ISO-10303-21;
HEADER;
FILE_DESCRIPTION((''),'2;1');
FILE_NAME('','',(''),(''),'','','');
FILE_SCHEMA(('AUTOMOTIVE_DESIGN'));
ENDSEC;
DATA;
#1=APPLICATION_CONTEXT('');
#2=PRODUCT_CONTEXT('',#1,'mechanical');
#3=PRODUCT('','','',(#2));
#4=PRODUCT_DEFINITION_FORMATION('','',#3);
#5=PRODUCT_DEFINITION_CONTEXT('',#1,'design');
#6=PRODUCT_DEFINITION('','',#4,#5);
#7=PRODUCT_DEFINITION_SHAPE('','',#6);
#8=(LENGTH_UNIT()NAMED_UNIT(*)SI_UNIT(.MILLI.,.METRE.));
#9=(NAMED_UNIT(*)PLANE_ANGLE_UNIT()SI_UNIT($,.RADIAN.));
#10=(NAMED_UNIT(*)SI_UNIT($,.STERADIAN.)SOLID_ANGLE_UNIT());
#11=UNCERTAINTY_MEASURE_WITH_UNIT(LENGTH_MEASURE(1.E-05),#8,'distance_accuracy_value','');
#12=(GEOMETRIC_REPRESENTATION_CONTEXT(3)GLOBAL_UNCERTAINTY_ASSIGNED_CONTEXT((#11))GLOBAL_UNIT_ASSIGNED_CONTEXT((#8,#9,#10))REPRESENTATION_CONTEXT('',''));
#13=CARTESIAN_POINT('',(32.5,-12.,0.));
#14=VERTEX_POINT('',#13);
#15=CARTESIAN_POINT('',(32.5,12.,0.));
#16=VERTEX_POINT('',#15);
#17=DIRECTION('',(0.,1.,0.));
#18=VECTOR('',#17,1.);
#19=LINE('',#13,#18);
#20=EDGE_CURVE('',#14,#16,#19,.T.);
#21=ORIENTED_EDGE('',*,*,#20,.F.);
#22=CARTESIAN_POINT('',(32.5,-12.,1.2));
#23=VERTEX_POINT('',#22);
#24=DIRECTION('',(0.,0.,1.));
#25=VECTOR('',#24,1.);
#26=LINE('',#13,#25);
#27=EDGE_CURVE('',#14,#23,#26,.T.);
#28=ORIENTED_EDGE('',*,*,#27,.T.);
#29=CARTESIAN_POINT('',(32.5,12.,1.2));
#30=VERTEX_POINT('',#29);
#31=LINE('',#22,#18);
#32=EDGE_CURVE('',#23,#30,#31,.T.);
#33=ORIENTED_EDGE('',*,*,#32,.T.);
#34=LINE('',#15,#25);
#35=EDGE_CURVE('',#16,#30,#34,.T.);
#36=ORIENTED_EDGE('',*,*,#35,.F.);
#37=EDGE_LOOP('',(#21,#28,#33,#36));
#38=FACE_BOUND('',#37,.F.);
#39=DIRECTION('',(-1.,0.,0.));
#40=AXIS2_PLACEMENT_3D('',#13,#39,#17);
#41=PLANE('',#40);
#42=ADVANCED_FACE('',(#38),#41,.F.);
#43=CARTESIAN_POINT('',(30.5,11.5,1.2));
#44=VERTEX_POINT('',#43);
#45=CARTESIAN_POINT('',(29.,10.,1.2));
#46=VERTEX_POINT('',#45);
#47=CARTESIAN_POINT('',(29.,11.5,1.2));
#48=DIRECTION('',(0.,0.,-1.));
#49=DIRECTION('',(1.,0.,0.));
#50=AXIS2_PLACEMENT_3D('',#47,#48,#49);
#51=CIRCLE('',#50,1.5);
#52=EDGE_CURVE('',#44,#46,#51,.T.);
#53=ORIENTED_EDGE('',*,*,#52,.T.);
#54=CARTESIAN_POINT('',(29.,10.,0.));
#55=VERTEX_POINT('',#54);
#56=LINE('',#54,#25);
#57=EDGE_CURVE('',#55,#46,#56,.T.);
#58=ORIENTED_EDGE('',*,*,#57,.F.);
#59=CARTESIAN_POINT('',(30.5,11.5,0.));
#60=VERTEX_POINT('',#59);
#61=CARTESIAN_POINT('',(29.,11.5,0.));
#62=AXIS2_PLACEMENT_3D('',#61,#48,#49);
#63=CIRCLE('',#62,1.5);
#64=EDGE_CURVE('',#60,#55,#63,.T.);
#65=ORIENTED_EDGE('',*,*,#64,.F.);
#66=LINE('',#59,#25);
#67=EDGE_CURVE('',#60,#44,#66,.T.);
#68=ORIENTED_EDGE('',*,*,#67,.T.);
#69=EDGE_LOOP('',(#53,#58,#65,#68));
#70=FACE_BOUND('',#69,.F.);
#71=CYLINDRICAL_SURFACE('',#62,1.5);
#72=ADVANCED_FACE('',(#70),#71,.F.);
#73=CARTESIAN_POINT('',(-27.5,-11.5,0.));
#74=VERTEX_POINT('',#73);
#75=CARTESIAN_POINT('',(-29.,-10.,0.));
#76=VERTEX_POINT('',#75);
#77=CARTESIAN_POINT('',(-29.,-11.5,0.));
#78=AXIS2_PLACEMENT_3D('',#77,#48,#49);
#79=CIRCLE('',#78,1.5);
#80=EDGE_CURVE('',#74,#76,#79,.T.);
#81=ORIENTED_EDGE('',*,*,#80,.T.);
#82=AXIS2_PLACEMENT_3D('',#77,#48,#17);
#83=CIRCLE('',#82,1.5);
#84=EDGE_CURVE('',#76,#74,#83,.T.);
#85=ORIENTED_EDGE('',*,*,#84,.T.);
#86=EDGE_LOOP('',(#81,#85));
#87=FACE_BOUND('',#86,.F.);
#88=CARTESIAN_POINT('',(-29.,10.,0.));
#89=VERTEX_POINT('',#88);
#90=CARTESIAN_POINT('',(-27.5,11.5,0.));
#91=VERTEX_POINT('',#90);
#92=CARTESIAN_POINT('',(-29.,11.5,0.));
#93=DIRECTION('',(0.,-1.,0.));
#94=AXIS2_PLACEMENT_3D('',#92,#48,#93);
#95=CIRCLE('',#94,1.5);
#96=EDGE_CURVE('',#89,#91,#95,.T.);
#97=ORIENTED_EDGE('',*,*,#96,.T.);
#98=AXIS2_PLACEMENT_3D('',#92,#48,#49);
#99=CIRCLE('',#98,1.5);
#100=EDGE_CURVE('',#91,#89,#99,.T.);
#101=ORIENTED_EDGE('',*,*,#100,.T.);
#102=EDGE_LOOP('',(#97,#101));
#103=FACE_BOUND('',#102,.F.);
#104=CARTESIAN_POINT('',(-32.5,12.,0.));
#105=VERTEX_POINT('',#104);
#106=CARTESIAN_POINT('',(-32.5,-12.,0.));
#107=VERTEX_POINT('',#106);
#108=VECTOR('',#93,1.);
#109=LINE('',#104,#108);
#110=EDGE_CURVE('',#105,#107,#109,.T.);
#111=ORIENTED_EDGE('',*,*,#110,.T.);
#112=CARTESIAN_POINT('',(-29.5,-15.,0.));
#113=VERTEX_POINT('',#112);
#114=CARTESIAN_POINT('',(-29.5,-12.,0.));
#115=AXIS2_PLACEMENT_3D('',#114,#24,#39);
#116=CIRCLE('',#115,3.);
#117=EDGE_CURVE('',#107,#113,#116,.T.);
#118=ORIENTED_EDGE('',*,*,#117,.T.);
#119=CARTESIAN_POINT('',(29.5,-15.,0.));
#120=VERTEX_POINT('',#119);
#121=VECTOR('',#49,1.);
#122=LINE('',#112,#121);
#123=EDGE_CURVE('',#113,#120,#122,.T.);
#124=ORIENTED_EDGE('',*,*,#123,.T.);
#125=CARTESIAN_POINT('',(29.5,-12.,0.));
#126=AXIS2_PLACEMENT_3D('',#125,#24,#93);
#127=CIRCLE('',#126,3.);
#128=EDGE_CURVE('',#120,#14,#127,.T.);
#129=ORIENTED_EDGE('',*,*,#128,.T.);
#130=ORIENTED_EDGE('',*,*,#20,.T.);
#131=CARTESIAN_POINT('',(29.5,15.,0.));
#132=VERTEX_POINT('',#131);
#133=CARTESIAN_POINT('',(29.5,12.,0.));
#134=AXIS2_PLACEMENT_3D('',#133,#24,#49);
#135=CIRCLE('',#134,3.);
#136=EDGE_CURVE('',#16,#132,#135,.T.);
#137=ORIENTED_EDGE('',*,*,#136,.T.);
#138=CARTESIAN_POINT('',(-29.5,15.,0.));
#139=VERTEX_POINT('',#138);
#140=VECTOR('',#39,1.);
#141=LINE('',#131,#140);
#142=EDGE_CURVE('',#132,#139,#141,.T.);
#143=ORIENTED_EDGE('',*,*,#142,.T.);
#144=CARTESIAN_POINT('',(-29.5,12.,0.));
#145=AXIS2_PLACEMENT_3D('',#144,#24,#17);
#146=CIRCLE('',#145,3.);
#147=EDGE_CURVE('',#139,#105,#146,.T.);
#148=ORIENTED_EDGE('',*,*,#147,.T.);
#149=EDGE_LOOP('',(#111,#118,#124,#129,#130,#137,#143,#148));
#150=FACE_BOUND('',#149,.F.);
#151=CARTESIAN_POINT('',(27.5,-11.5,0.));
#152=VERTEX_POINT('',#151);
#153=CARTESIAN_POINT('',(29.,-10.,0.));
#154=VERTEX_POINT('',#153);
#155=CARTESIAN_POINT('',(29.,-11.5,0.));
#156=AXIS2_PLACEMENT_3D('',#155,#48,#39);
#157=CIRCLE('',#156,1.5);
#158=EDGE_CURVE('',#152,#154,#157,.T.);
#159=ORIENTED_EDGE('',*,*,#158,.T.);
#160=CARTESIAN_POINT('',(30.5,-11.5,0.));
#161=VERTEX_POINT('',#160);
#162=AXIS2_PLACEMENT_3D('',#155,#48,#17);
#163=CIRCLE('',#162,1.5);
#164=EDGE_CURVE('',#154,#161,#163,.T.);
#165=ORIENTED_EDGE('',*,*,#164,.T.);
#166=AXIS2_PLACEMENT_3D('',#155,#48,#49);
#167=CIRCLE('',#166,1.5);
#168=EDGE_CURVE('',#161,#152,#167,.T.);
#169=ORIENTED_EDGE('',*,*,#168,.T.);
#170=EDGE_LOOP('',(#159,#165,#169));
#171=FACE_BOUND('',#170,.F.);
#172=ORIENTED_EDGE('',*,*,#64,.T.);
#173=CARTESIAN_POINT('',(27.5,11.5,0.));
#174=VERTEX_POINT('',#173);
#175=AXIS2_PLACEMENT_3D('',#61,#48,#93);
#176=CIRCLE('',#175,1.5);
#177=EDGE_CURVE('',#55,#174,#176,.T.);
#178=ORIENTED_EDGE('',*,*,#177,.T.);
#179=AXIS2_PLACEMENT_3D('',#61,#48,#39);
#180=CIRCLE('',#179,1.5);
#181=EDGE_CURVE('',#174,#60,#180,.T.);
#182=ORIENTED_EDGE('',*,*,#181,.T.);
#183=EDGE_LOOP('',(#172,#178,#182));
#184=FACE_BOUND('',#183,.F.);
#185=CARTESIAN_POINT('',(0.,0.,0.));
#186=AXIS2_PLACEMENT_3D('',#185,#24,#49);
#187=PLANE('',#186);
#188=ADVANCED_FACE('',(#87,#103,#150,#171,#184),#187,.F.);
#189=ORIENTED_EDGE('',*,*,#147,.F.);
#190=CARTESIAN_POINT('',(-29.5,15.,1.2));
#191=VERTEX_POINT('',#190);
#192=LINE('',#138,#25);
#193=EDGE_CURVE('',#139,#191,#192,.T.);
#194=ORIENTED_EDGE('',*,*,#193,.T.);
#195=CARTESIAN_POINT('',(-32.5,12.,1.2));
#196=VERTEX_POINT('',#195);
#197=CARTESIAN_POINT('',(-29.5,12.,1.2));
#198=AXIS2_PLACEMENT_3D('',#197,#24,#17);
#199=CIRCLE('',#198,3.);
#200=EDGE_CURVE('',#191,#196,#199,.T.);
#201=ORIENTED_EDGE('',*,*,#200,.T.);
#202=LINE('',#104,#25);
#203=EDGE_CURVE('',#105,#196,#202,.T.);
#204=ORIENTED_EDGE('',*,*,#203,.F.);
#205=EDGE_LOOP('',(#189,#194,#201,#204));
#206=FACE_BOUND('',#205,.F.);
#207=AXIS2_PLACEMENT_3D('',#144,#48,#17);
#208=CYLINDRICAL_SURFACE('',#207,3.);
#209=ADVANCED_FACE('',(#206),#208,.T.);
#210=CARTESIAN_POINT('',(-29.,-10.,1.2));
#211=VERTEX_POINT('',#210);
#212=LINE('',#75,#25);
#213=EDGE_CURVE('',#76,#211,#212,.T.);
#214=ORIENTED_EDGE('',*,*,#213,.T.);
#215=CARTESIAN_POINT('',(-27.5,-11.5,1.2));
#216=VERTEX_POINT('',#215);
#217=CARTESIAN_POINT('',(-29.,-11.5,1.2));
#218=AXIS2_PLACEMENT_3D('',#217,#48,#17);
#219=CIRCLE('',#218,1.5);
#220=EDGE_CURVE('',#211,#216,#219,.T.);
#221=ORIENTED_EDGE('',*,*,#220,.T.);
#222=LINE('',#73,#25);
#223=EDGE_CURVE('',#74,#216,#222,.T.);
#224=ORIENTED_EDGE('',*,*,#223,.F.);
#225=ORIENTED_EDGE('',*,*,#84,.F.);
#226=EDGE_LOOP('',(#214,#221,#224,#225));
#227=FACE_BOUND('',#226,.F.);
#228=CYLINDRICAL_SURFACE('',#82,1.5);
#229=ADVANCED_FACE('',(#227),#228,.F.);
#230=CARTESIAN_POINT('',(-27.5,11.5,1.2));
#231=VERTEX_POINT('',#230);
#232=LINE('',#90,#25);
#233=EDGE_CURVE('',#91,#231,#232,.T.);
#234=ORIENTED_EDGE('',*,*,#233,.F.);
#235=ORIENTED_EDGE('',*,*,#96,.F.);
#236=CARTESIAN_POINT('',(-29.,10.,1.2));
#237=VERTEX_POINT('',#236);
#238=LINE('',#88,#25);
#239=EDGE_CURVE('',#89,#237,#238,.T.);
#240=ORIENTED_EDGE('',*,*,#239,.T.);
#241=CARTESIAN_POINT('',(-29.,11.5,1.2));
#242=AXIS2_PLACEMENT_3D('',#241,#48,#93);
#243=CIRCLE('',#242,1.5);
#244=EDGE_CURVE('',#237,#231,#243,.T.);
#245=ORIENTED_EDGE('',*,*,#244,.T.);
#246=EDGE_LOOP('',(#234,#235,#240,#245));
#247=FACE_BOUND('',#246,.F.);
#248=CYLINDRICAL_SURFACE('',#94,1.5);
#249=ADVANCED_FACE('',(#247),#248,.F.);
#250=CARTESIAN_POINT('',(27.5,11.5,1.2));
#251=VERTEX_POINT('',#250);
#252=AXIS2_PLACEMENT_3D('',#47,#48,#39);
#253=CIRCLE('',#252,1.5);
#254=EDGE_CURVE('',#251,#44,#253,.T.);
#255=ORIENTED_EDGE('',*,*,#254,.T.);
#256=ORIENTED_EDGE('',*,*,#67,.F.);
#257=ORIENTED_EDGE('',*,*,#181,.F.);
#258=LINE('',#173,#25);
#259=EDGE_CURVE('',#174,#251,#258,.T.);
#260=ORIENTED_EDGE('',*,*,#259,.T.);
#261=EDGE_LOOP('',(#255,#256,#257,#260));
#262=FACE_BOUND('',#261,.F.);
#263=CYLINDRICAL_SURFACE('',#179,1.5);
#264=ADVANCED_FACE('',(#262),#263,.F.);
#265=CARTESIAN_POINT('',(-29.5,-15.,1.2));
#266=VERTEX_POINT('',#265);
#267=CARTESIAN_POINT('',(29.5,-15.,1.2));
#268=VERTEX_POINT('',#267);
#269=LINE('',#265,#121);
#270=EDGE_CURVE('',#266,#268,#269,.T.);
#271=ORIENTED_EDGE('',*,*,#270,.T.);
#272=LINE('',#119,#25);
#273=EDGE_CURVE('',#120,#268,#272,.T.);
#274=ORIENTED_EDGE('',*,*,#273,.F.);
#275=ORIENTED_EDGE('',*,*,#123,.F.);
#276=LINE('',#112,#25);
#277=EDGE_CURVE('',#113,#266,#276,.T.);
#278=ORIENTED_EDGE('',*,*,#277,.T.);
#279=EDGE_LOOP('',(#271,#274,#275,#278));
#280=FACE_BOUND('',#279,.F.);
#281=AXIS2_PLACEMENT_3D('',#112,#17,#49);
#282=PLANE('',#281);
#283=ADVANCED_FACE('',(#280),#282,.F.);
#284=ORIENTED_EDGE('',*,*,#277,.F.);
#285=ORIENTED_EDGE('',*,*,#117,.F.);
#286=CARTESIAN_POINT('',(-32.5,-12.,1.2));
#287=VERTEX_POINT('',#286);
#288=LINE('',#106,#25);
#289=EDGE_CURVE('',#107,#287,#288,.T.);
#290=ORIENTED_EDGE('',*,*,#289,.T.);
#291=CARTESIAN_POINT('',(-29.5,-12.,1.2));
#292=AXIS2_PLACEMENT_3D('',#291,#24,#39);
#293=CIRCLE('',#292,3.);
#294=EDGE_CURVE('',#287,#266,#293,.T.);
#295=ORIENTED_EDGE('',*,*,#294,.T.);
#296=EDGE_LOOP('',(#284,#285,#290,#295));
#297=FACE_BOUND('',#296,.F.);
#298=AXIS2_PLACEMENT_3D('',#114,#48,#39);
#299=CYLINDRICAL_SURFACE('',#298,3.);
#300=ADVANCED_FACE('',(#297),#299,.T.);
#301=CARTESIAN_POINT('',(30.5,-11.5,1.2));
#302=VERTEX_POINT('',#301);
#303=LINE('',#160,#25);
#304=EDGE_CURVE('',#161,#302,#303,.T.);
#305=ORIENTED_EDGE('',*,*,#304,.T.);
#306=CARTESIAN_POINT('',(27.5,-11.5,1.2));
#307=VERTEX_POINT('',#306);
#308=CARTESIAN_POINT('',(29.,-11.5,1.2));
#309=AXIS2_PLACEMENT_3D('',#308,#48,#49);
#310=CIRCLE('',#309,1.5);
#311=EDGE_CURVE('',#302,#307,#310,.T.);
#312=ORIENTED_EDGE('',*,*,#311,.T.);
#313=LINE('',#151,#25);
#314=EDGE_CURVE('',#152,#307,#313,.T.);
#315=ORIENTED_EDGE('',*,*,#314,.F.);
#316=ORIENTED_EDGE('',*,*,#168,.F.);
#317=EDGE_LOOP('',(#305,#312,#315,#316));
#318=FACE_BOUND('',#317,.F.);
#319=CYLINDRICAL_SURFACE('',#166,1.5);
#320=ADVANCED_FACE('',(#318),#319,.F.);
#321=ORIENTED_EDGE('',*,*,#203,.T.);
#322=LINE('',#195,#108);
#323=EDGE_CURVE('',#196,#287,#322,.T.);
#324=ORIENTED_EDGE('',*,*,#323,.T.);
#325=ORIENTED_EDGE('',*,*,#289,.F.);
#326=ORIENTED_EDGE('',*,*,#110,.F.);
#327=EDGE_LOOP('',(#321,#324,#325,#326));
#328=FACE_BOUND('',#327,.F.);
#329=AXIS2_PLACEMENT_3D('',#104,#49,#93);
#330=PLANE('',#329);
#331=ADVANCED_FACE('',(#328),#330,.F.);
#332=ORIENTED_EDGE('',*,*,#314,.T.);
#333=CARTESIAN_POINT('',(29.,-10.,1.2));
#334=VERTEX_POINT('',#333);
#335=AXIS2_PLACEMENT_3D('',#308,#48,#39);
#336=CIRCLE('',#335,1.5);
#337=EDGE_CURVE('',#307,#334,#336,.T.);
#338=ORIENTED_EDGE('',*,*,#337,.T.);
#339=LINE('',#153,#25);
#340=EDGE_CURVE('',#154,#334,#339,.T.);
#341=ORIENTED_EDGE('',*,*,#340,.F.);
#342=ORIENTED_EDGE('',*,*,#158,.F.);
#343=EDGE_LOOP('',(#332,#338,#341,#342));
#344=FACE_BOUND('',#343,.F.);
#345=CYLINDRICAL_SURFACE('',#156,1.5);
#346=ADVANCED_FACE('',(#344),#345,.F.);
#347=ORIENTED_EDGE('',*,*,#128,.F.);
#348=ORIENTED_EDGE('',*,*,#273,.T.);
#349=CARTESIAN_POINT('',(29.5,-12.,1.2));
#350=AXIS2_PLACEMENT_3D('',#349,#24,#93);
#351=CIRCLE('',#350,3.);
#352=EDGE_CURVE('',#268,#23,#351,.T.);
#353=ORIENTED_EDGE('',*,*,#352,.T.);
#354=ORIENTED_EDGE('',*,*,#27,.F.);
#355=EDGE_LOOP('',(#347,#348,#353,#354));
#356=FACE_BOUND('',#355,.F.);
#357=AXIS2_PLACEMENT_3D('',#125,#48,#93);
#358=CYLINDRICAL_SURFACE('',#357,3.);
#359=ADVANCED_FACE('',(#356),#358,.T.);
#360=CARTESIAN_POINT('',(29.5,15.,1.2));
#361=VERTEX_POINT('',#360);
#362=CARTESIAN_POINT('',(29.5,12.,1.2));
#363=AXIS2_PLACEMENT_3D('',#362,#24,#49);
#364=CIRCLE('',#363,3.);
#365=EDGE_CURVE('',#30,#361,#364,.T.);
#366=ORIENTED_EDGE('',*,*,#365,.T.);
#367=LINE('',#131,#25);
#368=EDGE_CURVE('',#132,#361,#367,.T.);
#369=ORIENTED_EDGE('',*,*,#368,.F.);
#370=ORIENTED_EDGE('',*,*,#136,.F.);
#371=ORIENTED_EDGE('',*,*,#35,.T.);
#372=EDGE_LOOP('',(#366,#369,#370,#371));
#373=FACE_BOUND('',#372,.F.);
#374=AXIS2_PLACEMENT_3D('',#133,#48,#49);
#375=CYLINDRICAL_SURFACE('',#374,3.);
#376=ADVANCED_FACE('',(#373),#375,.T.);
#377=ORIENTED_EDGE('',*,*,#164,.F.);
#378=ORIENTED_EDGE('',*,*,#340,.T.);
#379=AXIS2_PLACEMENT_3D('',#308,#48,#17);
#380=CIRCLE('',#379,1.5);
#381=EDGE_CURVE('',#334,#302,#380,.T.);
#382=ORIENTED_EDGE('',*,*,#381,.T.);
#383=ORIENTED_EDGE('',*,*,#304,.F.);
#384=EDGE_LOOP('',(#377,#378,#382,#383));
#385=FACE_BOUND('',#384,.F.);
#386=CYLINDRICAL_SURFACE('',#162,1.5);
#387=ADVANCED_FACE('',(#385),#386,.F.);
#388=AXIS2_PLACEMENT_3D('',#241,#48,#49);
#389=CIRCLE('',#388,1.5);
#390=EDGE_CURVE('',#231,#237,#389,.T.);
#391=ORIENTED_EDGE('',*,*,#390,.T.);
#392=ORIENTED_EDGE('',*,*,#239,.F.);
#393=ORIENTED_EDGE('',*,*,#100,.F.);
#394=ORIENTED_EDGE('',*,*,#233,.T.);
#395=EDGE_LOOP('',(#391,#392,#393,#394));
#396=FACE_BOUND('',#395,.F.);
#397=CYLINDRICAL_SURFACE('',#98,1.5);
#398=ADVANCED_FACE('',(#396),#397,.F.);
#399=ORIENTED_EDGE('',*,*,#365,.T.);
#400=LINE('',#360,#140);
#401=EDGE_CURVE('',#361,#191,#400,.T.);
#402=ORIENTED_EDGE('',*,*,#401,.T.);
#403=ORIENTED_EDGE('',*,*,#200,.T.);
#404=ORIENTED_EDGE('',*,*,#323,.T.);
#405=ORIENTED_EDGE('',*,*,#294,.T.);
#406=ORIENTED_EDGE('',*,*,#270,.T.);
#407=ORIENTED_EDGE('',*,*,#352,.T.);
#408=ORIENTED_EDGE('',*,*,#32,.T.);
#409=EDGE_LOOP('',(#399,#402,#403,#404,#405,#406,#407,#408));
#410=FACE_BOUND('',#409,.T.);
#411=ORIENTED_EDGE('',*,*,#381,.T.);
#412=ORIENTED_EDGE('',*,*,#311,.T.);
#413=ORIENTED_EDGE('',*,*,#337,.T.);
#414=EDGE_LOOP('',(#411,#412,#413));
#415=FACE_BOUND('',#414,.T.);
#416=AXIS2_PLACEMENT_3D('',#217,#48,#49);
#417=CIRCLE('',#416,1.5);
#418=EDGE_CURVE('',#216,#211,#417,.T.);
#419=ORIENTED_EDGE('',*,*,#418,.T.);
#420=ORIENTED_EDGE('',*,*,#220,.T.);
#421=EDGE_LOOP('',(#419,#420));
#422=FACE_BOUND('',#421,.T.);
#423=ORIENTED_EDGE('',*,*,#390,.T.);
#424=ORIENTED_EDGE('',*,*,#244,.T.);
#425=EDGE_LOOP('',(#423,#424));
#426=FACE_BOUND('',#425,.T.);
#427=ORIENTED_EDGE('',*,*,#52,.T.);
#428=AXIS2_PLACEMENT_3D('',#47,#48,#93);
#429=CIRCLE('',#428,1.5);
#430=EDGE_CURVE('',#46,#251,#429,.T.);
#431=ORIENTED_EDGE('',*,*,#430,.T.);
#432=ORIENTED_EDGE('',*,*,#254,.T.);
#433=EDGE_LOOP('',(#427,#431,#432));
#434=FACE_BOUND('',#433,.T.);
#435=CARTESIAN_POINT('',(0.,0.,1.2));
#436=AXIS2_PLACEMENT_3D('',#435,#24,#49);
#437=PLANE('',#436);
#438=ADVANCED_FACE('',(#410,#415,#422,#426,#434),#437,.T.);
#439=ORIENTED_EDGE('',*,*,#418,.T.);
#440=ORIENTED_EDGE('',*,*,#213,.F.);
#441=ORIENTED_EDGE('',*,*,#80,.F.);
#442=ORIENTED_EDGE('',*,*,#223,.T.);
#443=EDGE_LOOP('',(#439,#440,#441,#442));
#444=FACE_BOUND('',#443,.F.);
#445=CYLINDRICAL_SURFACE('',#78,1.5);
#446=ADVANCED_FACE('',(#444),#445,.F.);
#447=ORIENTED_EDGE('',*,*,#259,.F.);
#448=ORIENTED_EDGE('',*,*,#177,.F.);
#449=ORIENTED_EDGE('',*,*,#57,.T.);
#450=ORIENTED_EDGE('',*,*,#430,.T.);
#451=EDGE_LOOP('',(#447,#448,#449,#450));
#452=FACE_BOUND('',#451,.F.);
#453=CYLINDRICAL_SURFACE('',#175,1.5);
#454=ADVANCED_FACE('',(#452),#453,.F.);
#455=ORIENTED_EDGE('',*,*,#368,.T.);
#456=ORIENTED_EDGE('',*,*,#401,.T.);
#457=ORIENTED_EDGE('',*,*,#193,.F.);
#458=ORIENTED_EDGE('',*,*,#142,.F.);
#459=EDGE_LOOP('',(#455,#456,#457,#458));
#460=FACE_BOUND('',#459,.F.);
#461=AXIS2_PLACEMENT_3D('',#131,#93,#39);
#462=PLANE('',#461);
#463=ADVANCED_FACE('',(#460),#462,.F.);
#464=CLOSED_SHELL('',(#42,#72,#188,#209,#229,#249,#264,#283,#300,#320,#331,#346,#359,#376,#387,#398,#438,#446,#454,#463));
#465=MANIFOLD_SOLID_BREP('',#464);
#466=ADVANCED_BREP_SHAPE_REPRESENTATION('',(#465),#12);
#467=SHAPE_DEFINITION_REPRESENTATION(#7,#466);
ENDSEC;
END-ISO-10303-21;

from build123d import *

# Parameters (mm, degrees)
F1_DEPTH = 1.2


with BuildPart() as f1:
    # F0 (on Top) → F1 (new body)
    with BuildSketch(Plane.XY):
        with BuildLine():
            Line((-29.5, -15), (29.5, -15))
            ThreePointArc((29.5, -15), (31.6213203436, -14.1213203436), (32.5, -12))
            Line((32.5, -12), (32.5, 12))
            ThreePointArc((32.5, 12), (31.6213203436, 14.1213203436), (29.5, 15))
            Line((29.5, 15), (-29.5, 15))
            ThreePointArc((-29.5, 15), (-31.6213203436, 14.1213203436), (-32.5, 12))
            Line((-32.5, 12), (-32.5, -12))
            ThreePointArc((-32.5, -12), (-31.6213203436, -14.1213203436), (-29.5, -15))
        make_face()
        with BuildLine():
            Line((27.5, -11.5), (-27.5, -11.5))
            ThreePointArc((-27.5, -11.5), (-30.0606601718, -12.5606601718), (-29, -10))
            Line((-29, -10), (-29, 10))
            ThreePointArc((-29, 10), (-30.0606601718, 12.5606601718), (-27.5, 11.5))
            Line((-27.5, 11.5), (27.5, 11.5))
            ThreePointArc((27.5, 11.5), (29, 13), (30.5, 11.5))
            ThreePointArc((30.5, 11.5), (30.0606601718, 10.4393398282), (29, 10))
            Line((29, 10), (29, -10))
            ThreePointArc((29, -10), (30.0606601718, -10.4393398282), (30.5, -11.5))
            ThreePointArc((30.5, -11.5), (29, -13), (27.5, -11.5))
        make_face(mode=Mode.SUBTRACT)
        with BuildLine():
            ThreePointArc((-29, -10), (-27.9393398282, -10.4393398282), (-27.5, -11.5))
            Line((-27.5, -11.5), (27.5, -11.5))
            ThreePointArc((27.5, -11.5), (27.9393398282, -10.4393398282), (29, -10))
            Line((29, -10), (29, 10))
            ThreePointArc((29, 10), (27.9393398282, 10.4393398282), (27.5, 11.5))
            Line((27.5, 11.5), (-27.5, 11.5))
            ThreePointArc((-27.5, 11.5), (-27.9393398282, 10.4393398282), (-29, 10))
            Line((-29, 10), (-29, -10))
        make_face()
    extrude(amount=F1_DEPTH)


solid = f1.part
